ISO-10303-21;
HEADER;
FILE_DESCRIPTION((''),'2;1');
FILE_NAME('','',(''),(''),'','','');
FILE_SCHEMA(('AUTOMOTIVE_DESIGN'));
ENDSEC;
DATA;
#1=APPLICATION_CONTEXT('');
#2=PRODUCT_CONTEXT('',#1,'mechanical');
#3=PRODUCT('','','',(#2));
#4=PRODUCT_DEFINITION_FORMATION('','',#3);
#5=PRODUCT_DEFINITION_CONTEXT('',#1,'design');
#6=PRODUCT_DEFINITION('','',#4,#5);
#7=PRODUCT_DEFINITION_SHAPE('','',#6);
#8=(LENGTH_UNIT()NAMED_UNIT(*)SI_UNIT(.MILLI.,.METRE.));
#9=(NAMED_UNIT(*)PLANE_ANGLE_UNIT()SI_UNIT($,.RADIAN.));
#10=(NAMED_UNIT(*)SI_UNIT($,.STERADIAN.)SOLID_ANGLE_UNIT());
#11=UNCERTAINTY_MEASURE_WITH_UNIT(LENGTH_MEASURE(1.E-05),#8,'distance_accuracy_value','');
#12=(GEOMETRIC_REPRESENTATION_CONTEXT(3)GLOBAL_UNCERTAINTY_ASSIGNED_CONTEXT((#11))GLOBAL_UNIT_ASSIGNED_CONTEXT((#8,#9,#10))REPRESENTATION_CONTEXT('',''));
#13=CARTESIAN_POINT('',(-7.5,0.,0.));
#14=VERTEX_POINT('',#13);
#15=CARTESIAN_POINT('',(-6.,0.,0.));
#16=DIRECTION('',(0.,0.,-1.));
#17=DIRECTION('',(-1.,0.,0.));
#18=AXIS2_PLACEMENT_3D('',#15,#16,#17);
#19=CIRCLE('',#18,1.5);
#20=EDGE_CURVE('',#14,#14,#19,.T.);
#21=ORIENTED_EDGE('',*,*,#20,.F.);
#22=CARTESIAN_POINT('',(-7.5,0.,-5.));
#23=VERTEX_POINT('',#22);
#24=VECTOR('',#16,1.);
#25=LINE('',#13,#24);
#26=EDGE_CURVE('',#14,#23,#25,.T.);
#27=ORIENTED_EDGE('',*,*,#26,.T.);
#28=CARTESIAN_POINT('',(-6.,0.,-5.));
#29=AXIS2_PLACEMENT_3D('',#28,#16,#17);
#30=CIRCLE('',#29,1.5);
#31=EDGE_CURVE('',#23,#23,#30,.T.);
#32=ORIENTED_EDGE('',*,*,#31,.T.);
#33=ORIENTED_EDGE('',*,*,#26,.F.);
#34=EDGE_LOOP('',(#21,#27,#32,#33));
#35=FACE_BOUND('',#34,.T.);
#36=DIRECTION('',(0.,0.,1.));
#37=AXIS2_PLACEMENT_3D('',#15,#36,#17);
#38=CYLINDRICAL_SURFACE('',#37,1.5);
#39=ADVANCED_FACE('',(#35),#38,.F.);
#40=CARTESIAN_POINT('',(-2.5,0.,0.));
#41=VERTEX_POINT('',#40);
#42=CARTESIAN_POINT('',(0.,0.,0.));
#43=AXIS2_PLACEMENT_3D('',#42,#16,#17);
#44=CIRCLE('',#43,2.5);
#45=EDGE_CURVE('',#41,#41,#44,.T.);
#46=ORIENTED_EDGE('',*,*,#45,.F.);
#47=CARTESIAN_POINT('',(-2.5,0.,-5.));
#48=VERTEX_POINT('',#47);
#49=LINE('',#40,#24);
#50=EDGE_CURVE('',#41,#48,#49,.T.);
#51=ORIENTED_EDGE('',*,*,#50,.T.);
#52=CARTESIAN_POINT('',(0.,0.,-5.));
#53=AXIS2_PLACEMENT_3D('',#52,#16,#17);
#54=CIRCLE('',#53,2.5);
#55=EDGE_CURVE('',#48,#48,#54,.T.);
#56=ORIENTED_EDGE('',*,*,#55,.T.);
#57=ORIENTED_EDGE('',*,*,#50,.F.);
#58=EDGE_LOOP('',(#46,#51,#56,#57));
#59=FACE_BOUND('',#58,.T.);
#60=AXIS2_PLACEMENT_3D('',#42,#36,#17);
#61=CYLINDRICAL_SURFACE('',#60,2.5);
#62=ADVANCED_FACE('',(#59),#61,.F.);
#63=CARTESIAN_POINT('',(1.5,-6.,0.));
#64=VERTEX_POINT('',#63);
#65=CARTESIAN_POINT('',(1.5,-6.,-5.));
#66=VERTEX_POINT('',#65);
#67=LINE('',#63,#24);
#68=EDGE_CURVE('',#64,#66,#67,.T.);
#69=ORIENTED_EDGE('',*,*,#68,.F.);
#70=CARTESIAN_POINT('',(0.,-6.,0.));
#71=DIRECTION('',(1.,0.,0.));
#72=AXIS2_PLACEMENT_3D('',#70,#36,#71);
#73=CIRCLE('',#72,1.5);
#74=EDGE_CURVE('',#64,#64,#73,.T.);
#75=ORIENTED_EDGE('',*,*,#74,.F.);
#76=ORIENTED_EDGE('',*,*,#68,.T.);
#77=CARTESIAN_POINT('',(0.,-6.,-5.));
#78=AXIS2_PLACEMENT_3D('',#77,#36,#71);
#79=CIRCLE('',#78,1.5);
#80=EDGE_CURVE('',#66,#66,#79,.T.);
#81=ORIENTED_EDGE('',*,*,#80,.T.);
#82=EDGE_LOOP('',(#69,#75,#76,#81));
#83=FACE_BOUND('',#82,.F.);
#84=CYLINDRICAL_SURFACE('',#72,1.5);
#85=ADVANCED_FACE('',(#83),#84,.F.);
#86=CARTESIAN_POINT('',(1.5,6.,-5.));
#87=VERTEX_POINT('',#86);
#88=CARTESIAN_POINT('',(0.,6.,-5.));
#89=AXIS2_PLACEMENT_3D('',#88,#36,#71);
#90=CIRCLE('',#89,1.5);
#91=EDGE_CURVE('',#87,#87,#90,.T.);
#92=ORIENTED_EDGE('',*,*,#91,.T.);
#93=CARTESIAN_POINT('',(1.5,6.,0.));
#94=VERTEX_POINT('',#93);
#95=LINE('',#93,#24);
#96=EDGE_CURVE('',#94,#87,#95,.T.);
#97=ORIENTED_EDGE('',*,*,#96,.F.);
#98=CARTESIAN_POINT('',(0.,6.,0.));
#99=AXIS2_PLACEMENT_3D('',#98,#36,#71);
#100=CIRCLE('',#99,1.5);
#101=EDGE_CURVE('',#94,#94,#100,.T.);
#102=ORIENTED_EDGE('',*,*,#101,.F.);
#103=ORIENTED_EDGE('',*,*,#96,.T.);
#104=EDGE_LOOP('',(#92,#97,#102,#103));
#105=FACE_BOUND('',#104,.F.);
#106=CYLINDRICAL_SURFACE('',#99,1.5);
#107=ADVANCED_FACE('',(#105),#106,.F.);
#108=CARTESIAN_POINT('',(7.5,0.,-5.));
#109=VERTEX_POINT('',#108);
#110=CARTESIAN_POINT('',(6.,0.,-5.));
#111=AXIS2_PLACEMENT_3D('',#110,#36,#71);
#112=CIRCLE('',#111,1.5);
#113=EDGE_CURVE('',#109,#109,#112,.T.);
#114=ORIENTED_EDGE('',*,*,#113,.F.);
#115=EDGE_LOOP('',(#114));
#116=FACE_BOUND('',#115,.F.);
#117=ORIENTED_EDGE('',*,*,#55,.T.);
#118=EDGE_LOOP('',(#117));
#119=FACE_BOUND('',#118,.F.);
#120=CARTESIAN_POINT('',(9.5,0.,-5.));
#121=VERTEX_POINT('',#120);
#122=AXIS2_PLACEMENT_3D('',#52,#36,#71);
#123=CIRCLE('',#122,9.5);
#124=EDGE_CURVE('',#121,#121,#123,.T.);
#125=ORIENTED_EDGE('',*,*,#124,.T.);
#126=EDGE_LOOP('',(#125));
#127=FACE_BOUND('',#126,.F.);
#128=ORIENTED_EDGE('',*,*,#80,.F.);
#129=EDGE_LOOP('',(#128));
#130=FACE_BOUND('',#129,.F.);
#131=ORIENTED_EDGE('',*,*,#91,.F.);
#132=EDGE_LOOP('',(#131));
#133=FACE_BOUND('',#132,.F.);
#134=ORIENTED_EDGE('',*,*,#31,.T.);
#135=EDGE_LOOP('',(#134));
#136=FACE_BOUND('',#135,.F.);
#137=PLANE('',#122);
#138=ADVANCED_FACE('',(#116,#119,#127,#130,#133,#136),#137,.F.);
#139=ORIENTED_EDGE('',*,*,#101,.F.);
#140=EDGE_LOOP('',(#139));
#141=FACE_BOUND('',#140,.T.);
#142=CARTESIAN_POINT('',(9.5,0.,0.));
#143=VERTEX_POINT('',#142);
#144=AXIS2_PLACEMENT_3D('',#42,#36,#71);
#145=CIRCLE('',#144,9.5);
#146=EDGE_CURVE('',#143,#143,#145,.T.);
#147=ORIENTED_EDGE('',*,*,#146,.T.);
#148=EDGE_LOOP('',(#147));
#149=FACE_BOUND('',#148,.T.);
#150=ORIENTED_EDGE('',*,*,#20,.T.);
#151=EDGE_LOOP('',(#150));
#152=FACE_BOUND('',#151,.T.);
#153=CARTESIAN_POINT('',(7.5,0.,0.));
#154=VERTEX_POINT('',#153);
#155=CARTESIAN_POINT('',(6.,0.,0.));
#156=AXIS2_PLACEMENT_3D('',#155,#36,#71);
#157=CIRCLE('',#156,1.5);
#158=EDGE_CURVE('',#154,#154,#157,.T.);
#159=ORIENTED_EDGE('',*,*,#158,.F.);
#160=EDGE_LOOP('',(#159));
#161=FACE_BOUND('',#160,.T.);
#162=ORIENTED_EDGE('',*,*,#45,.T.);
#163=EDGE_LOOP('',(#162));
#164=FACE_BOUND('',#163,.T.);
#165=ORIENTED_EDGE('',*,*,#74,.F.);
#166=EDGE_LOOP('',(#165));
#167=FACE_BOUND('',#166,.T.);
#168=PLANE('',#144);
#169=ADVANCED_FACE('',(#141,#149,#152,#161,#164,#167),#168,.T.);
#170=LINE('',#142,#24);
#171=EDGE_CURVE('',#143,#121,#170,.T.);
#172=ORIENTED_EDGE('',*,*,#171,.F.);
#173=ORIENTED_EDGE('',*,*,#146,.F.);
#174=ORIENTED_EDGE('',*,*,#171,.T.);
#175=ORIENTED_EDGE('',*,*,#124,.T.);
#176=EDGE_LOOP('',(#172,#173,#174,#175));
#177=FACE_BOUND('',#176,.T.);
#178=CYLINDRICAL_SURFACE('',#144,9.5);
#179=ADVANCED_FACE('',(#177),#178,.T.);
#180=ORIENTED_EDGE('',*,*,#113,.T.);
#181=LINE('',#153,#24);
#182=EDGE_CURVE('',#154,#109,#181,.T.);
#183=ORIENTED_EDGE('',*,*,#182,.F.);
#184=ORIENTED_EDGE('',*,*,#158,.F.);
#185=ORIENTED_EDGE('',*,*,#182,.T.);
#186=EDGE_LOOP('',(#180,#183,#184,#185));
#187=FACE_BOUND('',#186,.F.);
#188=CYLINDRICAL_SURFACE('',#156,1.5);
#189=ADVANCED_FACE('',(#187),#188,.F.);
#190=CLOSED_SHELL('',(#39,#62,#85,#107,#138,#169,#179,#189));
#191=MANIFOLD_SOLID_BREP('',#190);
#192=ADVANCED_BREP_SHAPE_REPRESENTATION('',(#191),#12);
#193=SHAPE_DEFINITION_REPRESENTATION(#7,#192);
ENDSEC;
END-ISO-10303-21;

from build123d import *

# Parameters (mm, degrees)
F0_R     = 1.5
F1_DEPTH = 5


with BuildPart() as f1:
    # F0 (on Top) → F1 (new body)
    with BuildSketch(Plane.XY):
        with BuildLine():
            ThreePointArc((-9.5, 0), (0, -9.5), (9.5, 0))
            ThreePointArc((9.5, 0), (0, 9.5), (-9.5, 0))
        make_face()
        with Locations((0, -6)):
            Circle(F0_R, mode=Mode.SUBTRACT)
        with BuildLine():
            ThreePointArc((-4.5, 0), (-6, -1.5), (-7.5, 0))
            ThreePointArc((-7.5, 0), (-6, 1.5), (-4.5, 0))
        make_face(mode=Mode.SUBTRACT)
        with BuildLine():
            ThreePointArc((2.5, 0), (0, -2.5), (-2.5, 0))
            ThreePointArc((-2.5, 0), (0, 2.5), (2.5, 0))
        make_face(mode=Mode.SUBTRACT)
        with Locations((6, 0)):
            Circle(F0_R, mode=Mode.SUBTRACT)
        with Locations((0, 6)):
            Circle(F0_R, mode=Mode.SUBTRACT)
    extrude(amount=-F1_DEPTH)


solid = f1.part
